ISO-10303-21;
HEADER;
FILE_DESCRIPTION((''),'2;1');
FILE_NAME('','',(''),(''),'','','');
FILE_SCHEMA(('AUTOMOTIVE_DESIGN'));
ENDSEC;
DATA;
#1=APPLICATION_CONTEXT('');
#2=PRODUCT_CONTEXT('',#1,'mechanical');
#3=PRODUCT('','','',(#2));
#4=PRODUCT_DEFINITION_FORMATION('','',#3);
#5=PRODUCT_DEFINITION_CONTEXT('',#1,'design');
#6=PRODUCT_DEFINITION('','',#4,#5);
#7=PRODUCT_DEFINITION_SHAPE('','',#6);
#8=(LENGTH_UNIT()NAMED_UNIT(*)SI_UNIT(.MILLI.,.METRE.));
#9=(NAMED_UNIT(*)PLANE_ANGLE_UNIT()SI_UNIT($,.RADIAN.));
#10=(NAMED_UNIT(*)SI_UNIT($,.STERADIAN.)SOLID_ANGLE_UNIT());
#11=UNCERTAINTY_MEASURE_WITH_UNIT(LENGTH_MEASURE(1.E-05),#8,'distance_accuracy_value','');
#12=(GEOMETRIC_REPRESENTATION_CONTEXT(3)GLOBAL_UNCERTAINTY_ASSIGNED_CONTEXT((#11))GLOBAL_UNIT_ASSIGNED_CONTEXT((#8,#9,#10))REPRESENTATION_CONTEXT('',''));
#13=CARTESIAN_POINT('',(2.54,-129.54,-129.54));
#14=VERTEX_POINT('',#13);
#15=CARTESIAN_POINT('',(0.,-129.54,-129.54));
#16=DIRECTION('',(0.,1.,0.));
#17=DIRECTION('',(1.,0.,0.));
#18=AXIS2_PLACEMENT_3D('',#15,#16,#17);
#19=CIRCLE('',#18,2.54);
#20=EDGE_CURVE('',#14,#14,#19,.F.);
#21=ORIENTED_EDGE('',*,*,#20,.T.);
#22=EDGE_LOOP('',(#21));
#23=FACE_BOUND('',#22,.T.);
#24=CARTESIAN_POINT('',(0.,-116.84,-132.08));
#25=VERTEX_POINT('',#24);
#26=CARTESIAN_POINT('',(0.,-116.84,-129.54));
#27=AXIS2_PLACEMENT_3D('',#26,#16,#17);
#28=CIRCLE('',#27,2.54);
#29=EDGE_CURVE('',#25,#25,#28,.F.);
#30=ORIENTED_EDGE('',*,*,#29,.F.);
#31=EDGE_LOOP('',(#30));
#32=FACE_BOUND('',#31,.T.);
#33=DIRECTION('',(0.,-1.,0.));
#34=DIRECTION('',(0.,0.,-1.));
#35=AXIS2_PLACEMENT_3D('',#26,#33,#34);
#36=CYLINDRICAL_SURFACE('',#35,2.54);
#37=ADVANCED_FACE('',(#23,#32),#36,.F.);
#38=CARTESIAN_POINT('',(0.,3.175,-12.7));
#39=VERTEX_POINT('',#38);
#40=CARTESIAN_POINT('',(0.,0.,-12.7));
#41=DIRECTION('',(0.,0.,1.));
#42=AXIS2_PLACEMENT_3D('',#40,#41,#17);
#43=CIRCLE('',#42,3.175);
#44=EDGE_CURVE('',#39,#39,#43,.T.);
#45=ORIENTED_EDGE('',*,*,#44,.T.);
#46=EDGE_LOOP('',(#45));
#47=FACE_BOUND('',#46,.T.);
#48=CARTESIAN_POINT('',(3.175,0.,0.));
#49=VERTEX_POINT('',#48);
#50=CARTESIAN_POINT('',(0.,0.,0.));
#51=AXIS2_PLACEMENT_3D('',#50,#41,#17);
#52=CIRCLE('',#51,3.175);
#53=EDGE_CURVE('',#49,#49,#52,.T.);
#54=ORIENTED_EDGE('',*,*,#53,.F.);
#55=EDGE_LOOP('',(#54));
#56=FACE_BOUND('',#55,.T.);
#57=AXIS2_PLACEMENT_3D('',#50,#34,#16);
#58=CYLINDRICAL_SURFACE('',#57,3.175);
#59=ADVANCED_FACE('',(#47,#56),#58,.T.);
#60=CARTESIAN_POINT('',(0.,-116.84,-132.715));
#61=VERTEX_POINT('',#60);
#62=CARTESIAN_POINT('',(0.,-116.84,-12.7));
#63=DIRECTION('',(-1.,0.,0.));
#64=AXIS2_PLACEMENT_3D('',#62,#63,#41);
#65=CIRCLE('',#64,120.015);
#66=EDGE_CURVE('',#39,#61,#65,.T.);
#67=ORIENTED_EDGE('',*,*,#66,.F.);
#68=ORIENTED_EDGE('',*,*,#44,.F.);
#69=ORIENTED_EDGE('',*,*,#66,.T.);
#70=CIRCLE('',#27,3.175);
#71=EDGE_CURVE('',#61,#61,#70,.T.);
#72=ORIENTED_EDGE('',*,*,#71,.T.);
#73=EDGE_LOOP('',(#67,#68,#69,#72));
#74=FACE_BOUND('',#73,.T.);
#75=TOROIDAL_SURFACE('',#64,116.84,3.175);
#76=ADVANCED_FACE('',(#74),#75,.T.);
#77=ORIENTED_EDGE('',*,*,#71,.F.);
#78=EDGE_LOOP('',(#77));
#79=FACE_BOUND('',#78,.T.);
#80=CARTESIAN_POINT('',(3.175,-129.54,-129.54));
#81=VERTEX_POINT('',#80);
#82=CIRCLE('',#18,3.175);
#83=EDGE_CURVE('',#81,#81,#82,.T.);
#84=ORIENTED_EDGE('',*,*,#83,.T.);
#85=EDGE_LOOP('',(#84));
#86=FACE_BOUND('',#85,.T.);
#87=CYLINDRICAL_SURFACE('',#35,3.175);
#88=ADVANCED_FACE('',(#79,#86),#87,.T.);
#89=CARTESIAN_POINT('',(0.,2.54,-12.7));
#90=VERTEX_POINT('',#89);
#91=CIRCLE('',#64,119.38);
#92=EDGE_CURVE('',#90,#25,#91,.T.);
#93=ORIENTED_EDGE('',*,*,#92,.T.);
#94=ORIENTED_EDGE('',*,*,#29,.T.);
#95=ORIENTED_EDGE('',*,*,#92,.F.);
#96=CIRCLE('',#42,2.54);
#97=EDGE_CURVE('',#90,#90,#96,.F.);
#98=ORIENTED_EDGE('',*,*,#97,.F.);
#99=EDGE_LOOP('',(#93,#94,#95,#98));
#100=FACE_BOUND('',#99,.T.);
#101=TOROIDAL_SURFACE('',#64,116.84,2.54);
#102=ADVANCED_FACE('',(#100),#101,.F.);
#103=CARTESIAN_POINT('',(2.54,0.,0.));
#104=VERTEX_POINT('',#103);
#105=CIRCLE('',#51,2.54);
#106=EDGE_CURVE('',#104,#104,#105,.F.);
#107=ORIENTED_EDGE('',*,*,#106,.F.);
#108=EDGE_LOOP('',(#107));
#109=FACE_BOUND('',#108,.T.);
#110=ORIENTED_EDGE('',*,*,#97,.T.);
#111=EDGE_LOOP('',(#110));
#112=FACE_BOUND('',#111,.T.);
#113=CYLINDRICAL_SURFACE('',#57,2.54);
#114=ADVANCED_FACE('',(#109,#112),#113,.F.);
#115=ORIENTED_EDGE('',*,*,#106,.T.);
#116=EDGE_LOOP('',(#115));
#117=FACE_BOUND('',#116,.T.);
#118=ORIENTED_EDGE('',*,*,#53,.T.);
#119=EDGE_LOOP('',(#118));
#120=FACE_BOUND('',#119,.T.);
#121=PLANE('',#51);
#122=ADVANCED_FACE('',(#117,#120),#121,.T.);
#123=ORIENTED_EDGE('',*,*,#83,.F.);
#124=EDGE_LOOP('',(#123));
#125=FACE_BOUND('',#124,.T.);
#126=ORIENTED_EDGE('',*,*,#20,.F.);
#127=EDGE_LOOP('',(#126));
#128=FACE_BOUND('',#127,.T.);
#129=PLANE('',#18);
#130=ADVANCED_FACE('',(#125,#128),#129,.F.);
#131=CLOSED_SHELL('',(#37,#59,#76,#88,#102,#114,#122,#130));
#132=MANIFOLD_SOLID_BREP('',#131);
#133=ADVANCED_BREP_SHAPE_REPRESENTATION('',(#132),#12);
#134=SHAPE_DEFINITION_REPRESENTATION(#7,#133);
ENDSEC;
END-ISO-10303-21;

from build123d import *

# Parameters (mm, degrees)
SKETCH1_R   = 3.175
SKETCH1_R_2 = 2.54


with BuildPart() as part:
    # Sweep1: sweep along a path in Sketch2
    with BuildLine(Plane(origin=(0, 0, 0), x_dir=(0, 0, -1), z_dir=(1, 0, 0))) as sweep1_path:
        Line((0, 0), (12.7, 0))
        ThreePointArc((12.7, 0), (95.318356314, -34.221643686), (129.54, -116.84))
        Line((129.54, -116.84), (129.54, -129.54))
    # Sketch1 → Sweep1 (sweep)
    with BuildSketch(Plane.XY):
        Circle(SKETCH1_R)
        Circle(SKETCH1_R_2, mode=Mode.SUBTRACT)
    sweep(path=sweep1_path.line)


solid = part.part
